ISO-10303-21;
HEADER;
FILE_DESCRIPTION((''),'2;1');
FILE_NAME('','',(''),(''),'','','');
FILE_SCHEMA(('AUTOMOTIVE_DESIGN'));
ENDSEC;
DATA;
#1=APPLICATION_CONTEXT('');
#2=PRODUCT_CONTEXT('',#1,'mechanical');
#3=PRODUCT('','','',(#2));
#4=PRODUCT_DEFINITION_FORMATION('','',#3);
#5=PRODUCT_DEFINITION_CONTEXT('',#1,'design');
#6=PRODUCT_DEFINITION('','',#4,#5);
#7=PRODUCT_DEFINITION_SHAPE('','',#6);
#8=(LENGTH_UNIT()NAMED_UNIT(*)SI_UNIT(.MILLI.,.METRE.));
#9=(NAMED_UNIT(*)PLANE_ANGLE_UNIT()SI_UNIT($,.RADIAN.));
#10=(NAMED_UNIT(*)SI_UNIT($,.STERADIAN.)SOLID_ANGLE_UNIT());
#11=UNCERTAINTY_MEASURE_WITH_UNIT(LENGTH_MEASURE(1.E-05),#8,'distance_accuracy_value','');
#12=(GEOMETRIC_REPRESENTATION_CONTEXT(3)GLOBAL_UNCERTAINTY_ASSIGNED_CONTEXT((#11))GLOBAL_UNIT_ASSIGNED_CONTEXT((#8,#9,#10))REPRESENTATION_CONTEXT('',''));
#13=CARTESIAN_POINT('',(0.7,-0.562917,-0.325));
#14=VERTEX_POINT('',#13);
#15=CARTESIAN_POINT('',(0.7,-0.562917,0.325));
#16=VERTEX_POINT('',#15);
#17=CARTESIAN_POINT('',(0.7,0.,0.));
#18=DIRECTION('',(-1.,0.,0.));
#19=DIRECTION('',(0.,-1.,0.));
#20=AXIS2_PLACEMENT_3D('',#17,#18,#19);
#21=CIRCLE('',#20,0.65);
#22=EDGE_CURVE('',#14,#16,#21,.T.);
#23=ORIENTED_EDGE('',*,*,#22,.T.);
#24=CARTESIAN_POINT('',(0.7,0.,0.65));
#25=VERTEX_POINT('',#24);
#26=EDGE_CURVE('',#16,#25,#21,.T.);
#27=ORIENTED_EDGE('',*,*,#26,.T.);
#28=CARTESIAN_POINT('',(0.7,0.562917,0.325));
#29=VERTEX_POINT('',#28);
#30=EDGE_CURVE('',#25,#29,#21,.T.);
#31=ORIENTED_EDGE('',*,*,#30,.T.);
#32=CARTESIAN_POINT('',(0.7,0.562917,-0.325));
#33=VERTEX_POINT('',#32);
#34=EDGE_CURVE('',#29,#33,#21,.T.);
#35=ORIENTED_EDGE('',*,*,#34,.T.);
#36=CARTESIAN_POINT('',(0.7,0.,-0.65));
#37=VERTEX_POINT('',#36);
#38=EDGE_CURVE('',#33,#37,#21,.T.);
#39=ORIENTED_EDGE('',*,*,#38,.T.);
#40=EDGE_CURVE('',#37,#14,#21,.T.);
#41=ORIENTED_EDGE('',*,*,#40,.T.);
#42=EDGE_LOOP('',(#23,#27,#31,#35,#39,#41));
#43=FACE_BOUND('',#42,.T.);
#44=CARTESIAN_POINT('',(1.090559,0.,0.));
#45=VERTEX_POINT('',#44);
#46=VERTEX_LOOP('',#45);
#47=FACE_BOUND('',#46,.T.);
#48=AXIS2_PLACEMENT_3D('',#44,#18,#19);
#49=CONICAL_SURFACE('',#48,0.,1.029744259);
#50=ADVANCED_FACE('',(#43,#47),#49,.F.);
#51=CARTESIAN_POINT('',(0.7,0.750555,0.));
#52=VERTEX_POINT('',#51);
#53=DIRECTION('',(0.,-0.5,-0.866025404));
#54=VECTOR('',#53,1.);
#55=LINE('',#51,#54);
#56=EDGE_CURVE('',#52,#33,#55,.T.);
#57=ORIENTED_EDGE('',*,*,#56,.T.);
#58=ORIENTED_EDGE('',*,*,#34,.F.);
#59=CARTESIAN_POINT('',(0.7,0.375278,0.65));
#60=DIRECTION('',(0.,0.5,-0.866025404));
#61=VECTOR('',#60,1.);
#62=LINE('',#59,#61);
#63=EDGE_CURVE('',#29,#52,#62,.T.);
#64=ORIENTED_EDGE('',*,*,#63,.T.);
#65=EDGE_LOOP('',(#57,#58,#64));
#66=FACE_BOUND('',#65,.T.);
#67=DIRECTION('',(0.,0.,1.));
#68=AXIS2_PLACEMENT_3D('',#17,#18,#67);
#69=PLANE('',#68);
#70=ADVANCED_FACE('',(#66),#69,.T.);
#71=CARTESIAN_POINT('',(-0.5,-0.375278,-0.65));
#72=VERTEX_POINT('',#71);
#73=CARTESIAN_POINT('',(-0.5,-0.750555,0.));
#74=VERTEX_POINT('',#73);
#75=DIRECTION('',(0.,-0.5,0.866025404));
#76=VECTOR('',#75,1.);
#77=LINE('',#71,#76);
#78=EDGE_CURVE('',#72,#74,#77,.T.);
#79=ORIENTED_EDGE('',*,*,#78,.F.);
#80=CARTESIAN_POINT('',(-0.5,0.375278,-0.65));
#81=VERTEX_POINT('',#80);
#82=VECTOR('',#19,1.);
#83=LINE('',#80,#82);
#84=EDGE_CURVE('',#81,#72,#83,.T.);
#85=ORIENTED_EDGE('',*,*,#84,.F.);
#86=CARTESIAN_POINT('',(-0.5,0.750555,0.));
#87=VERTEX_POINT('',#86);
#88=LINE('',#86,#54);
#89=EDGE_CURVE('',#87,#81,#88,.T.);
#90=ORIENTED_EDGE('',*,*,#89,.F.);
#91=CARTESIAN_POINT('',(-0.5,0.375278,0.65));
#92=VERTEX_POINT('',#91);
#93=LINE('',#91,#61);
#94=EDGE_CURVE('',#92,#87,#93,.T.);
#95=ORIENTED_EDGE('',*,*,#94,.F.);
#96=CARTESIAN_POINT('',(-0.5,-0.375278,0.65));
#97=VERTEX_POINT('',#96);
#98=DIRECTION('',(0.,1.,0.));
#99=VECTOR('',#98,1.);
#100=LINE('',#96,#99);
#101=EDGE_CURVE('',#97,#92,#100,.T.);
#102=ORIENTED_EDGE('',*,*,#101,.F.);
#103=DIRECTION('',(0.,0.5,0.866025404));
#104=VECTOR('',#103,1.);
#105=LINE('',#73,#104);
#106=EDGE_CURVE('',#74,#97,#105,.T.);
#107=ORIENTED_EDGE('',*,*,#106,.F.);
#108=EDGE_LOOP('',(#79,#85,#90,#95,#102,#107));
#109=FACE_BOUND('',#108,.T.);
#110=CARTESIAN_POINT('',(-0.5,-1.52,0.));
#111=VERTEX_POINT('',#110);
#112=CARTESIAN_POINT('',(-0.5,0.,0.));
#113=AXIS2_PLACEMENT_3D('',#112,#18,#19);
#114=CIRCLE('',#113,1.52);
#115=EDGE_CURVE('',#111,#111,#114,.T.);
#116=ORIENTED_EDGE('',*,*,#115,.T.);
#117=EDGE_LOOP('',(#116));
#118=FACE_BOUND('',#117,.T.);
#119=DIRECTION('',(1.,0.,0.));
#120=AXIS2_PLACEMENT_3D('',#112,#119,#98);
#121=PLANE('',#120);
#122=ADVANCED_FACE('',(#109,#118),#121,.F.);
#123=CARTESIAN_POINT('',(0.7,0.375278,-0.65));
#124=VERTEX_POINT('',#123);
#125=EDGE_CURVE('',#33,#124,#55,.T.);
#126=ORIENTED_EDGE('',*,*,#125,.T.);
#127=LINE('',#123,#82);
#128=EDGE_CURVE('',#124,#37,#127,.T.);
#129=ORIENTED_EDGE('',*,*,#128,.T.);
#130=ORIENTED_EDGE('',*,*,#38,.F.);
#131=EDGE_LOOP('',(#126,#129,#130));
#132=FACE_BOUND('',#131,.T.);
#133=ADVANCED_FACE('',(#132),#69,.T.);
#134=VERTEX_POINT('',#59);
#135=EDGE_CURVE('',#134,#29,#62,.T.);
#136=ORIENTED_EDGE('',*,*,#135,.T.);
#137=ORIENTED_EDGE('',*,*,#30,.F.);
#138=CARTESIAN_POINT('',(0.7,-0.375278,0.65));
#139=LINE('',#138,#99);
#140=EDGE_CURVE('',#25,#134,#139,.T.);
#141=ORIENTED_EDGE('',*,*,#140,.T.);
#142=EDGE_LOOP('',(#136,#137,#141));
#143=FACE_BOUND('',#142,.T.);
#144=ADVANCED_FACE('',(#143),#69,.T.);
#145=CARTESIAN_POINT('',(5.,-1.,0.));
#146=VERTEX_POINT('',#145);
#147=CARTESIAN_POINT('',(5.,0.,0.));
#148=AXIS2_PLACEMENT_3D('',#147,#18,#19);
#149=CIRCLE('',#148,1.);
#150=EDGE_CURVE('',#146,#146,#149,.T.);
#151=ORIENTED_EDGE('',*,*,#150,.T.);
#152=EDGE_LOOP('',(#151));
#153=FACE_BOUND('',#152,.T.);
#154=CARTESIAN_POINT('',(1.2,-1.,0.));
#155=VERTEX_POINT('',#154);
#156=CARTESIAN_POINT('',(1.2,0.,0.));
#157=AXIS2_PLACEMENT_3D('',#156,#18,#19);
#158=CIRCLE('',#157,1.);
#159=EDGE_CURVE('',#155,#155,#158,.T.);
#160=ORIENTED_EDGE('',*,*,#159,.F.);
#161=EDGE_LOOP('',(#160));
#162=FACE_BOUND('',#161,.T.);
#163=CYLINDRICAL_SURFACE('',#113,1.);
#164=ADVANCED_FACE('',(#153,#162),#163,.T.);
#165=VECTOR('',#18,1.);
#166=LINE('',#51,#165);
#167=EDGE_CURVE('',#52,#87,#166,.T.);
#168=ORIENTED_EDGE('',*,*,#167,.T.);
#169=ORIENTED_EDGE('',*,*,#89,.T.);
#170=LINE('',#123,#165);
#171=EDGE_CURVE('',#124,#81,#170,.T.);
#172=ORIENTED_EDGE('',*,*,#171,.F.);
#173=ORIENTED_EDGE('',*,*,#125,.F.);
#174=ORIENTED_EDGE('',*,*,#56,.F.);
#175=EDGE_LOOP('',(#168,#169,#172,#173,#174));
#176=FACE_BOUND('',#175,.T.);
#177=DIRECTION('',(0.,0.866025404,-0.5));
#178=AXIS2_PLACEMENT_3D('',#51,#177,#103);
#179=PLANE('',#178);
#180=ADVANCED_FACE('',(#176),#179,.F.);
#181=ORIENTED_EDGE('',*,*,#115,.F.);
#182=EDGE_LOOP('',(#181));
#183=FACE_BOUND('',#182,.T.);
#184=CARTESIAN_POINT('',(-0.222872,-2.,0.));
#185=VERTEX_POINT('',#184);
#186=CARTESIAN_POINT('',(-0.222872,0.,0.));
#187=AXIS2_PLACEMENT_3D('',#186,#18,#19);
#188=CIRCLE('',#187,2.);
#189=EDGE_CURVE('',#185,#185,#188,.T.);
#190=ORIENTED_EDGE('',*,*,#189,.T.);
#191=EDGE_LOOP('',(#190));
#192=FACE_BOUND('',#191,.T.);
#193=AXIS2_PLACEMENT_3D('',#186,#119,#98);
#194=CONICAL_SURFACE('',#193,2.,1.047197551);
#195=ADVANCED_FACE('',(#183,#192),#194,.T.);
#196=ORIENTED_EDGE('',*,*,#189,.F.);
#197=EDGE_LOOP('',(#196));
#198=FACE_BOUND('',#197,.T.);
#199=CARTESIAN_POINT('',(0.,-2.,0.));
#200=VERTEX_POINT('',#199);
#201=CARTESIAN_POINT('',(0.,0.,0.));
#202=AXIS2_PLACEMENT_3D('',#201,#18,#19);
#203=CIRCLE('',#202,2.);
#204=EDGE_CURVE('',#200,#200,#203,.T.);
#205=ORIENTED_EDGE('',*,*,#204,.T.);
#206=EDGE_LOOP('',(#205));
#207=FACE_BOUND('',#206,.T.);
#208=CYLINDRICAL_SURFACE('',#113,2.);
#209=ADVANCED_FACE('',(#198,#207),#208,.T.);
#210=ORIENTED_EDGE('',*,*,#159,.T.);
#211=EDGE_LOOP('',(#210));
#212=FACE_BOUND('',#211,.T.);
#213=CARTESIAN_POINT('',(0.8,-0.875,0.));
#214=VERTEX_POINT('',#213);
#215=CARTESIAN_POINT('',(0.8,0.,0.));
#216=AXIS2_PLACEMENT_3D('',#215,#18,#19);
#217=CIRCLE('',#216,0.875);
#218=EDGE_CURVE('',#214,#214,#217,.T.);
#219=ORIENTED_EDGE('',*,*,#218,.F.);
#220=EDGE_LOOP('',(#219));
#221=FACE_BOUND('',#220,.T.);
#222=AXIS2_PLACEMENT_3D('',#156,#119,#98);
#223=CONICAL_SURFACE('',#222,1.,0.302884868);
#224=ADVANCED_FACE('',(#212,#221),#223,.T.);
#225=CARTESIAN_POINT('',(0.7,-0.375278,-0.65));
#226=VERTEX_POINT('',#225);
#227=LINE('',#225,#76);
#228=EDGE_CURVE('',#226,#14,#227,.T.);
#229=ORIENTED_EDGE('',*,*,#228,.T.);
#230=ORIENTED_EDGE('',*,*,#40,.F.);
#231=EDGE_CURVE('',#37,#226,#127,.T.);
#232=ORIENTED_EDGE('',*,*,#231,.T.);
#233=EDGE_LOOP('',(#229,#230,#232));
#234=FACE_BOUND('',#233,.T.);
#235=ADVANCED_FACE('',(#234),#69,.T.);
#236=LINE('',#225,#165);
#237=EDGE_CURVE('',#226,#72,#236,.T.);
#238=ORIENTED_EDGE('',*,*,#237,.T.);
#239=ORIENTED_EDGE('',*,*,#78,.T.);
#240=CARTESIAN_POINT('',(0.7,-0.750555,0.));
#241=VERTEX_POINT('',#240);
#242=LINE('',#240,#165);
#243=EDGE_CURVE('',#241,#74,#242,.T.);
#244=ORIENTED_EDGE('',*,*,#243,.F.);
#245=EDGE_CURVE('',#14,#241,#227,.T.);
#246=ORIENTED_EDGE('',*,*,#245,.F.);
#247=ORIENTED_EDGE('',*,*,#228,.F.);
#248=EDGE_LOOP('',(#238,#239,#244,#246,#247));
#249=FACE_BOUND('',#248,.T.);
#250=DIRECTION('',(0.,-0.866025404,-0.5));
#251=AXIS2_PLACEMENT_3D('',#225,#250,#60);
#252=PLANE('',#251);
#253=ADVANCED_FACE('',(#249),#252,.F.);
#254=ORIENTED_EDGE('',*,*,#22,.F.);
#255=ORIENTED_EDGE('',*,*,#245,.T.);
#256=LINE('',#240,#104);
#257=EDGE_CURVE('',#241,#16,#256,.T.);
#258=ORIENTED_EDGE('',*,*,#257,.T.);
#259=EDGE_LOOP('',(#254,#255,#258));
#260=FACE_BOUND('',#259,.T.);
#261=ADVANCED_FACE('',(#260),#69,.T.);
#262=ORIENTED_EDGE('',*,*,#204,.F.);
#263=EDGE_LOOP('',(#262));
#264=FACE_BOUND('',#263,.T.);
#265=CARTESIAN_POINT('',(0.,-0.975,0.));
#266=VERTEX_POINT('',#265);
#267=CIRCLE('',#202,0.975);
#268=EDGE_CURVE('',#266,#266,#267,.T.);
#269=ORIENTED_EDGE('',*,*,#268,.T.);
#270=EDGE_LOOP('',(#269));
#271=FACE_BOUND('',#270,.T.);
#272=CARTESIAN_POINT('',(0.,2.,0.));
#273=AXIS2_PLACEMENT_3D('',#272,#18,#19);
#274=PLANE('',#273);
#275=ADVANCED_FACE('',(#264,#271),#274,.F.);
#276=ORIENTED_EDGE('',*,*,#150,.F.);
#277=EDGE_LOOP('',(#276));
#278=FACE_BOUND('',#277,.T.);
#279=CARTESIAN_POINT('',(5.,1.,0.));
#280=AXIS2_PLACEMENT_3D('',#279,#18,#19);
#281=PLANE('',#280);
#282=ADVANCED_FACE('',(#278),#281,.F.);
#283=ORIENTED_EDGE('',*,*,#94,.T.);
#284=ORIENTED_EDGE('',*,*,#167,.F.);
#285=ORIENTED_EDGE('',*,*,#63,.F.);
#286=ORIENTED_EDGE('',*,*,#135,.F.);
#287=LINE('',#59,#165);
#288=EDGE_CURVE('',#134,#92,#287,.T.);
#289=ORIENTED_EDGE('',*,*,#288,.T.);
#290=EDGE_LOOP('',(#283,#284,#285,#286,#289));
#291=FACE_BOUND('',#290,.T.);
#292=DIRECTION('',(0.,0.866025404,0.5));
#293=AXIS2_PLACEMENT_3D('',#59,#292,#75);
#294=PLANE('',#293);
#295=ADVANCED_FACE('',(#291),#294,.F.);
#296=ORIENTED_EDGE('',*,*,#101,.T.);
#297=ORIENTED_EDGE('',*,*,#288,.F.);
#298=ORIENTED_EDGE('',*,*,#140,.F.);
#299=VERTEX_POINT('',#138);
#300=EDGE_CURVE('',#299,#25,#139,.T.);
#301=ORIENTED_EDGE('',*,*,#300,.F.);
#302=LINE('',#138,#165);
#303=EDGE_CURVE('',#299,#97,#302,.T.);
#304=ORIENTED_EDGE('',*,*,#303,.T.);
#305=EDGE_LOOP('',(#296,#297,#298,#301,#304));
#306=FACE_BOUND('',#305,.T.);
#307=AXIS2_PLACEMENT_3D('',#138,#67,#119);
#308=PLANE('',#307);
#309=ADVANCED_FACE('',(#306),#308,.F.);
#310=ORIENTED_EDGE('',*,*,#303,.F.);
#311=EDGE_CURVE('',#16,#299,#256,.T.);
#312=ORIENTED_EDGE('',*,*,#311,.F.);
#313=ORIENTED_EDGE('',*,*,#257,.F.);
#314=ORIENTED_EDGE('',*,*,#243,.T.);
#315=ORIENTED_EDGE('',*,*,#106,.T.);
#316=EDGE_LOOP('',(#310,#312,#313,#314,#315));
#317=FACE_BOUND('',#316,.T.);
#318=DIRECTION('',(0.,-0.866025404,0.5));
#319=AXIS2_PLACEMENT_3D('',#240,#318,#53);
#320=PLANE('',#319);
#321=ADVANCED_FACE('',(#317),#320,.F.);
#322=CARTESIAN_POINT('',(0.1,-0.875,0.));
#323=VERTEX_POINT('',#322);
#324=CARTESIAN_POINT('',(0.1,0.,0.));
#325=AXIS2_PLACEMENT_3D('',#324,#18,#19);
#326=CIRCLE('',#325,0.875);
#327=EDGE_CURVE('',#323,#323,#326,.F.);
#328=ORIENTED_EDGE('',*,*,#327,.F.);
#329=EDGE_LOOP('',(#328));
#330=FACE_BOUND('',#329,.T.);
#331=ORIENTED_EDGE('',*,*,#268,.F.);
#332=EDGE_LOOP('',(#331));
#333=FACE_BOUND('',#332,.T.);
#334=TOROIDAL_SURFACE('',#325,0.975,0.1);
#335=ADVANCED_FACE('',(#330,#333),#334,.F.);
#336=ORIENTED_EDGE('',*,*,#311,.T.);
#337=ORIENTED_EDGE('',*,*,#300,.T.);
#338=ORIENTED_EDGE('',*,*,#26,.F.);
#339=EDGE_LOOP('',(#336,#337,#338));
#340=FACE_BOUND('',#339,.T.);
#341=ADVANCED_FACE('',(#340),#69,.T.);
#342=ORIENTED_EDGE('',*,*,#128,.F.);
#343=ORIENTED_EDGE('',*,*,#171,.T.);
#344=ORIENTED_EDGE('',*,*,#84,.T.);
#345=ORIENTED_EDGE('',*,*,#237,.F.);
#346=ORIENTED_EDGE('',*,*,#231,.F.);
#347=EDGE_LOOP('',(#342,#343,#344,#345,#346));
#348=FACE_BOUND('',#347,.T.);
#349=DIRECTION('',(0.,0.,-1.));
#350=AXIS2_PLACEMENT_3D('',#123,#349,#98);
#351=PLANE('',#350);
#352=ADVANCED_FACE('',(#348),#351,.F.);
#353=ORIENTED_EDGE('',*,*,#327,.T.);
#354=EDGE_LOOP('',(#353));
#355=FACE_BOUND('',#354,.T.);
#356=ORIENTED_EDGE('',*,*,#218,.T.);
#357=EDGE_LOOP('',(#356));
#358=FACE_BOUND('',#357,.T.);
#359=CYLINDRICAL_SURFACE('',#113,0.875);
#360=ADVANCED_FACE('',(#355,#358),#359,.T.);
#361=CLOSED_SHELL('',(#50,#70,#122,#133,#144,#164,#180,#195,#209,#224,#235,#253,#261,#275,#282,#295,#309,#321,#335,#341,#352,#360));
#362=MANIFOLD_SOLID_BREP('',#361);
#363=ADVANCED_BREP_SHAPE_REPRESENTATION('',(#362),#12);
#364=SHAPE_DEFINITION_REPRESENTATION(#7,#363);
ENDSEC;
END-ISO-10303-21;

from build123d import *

# Parameters (mm, degrees)
FILLET1_R          = 0.1
CUT_EXTRUDE1_DEPTH = 1.2


with BuildPart() as part:
    # Sketch1 → Revolve1 (revolve)
    with BuildSketch(Plane.XY, mode=Mode.PRIVATE) as revolve1_sk:
        Polygon((-0.5, 0), (-0.5, 1.52), (-0.222871871, 2), (0, 2), (0, 0.875), (0.8, 0.875), (1.2, 1), (5, 1), (5, 0), align=None)
    revolve(revolve1_sk.sketch.rotate(Axis((-0.5, 0, 0), (1, 0, 0)), 180), axis=Axis((-0.5, 0, 0), (1, 0, 0)))

    # Fillet1
    fillet1_edges = [part.edges().sort_by_distance(p)[0] for p in [
        (0, 0.875, 0),
    ]]
    fillet(fillet1_edges, radius=FILLET1_R)

    # Sketch2 → Cut-Extrude1 (cut)
    with BuildSketch(Plane.ZY.offset(0.5)):
        Polygon((0, 0.75055535), (-0.65, 0.375277675), (-0.65, -0.375277675), (0, -0.75055535), (0.65, -0.375277675), (0.65, 0.375277675), align=None)
    extrude(amount=-CUT_EXTRUDE1_DEPTH, mode=Mode.SUBTRACT)

    # Sketch3 → Cut-Revolve1 (revolve, cut)
    with BuildSketch(Plane.XY, mode=Mode.PRIVATE) as cut_revolve1_sk:
        Polygon((0.7, 0), (0.7, 0.65), (1.090559402, 0), align=None)
    revolve(cut_revolve1_sk.sketch.rotate(Axis((0.7, 0, 0), (1, 0, 0)), 180), axis=Axis((0.7, 0, 0), (1, 0, 0)), mode=Mode.SUBTRACT)


solid = part.part
